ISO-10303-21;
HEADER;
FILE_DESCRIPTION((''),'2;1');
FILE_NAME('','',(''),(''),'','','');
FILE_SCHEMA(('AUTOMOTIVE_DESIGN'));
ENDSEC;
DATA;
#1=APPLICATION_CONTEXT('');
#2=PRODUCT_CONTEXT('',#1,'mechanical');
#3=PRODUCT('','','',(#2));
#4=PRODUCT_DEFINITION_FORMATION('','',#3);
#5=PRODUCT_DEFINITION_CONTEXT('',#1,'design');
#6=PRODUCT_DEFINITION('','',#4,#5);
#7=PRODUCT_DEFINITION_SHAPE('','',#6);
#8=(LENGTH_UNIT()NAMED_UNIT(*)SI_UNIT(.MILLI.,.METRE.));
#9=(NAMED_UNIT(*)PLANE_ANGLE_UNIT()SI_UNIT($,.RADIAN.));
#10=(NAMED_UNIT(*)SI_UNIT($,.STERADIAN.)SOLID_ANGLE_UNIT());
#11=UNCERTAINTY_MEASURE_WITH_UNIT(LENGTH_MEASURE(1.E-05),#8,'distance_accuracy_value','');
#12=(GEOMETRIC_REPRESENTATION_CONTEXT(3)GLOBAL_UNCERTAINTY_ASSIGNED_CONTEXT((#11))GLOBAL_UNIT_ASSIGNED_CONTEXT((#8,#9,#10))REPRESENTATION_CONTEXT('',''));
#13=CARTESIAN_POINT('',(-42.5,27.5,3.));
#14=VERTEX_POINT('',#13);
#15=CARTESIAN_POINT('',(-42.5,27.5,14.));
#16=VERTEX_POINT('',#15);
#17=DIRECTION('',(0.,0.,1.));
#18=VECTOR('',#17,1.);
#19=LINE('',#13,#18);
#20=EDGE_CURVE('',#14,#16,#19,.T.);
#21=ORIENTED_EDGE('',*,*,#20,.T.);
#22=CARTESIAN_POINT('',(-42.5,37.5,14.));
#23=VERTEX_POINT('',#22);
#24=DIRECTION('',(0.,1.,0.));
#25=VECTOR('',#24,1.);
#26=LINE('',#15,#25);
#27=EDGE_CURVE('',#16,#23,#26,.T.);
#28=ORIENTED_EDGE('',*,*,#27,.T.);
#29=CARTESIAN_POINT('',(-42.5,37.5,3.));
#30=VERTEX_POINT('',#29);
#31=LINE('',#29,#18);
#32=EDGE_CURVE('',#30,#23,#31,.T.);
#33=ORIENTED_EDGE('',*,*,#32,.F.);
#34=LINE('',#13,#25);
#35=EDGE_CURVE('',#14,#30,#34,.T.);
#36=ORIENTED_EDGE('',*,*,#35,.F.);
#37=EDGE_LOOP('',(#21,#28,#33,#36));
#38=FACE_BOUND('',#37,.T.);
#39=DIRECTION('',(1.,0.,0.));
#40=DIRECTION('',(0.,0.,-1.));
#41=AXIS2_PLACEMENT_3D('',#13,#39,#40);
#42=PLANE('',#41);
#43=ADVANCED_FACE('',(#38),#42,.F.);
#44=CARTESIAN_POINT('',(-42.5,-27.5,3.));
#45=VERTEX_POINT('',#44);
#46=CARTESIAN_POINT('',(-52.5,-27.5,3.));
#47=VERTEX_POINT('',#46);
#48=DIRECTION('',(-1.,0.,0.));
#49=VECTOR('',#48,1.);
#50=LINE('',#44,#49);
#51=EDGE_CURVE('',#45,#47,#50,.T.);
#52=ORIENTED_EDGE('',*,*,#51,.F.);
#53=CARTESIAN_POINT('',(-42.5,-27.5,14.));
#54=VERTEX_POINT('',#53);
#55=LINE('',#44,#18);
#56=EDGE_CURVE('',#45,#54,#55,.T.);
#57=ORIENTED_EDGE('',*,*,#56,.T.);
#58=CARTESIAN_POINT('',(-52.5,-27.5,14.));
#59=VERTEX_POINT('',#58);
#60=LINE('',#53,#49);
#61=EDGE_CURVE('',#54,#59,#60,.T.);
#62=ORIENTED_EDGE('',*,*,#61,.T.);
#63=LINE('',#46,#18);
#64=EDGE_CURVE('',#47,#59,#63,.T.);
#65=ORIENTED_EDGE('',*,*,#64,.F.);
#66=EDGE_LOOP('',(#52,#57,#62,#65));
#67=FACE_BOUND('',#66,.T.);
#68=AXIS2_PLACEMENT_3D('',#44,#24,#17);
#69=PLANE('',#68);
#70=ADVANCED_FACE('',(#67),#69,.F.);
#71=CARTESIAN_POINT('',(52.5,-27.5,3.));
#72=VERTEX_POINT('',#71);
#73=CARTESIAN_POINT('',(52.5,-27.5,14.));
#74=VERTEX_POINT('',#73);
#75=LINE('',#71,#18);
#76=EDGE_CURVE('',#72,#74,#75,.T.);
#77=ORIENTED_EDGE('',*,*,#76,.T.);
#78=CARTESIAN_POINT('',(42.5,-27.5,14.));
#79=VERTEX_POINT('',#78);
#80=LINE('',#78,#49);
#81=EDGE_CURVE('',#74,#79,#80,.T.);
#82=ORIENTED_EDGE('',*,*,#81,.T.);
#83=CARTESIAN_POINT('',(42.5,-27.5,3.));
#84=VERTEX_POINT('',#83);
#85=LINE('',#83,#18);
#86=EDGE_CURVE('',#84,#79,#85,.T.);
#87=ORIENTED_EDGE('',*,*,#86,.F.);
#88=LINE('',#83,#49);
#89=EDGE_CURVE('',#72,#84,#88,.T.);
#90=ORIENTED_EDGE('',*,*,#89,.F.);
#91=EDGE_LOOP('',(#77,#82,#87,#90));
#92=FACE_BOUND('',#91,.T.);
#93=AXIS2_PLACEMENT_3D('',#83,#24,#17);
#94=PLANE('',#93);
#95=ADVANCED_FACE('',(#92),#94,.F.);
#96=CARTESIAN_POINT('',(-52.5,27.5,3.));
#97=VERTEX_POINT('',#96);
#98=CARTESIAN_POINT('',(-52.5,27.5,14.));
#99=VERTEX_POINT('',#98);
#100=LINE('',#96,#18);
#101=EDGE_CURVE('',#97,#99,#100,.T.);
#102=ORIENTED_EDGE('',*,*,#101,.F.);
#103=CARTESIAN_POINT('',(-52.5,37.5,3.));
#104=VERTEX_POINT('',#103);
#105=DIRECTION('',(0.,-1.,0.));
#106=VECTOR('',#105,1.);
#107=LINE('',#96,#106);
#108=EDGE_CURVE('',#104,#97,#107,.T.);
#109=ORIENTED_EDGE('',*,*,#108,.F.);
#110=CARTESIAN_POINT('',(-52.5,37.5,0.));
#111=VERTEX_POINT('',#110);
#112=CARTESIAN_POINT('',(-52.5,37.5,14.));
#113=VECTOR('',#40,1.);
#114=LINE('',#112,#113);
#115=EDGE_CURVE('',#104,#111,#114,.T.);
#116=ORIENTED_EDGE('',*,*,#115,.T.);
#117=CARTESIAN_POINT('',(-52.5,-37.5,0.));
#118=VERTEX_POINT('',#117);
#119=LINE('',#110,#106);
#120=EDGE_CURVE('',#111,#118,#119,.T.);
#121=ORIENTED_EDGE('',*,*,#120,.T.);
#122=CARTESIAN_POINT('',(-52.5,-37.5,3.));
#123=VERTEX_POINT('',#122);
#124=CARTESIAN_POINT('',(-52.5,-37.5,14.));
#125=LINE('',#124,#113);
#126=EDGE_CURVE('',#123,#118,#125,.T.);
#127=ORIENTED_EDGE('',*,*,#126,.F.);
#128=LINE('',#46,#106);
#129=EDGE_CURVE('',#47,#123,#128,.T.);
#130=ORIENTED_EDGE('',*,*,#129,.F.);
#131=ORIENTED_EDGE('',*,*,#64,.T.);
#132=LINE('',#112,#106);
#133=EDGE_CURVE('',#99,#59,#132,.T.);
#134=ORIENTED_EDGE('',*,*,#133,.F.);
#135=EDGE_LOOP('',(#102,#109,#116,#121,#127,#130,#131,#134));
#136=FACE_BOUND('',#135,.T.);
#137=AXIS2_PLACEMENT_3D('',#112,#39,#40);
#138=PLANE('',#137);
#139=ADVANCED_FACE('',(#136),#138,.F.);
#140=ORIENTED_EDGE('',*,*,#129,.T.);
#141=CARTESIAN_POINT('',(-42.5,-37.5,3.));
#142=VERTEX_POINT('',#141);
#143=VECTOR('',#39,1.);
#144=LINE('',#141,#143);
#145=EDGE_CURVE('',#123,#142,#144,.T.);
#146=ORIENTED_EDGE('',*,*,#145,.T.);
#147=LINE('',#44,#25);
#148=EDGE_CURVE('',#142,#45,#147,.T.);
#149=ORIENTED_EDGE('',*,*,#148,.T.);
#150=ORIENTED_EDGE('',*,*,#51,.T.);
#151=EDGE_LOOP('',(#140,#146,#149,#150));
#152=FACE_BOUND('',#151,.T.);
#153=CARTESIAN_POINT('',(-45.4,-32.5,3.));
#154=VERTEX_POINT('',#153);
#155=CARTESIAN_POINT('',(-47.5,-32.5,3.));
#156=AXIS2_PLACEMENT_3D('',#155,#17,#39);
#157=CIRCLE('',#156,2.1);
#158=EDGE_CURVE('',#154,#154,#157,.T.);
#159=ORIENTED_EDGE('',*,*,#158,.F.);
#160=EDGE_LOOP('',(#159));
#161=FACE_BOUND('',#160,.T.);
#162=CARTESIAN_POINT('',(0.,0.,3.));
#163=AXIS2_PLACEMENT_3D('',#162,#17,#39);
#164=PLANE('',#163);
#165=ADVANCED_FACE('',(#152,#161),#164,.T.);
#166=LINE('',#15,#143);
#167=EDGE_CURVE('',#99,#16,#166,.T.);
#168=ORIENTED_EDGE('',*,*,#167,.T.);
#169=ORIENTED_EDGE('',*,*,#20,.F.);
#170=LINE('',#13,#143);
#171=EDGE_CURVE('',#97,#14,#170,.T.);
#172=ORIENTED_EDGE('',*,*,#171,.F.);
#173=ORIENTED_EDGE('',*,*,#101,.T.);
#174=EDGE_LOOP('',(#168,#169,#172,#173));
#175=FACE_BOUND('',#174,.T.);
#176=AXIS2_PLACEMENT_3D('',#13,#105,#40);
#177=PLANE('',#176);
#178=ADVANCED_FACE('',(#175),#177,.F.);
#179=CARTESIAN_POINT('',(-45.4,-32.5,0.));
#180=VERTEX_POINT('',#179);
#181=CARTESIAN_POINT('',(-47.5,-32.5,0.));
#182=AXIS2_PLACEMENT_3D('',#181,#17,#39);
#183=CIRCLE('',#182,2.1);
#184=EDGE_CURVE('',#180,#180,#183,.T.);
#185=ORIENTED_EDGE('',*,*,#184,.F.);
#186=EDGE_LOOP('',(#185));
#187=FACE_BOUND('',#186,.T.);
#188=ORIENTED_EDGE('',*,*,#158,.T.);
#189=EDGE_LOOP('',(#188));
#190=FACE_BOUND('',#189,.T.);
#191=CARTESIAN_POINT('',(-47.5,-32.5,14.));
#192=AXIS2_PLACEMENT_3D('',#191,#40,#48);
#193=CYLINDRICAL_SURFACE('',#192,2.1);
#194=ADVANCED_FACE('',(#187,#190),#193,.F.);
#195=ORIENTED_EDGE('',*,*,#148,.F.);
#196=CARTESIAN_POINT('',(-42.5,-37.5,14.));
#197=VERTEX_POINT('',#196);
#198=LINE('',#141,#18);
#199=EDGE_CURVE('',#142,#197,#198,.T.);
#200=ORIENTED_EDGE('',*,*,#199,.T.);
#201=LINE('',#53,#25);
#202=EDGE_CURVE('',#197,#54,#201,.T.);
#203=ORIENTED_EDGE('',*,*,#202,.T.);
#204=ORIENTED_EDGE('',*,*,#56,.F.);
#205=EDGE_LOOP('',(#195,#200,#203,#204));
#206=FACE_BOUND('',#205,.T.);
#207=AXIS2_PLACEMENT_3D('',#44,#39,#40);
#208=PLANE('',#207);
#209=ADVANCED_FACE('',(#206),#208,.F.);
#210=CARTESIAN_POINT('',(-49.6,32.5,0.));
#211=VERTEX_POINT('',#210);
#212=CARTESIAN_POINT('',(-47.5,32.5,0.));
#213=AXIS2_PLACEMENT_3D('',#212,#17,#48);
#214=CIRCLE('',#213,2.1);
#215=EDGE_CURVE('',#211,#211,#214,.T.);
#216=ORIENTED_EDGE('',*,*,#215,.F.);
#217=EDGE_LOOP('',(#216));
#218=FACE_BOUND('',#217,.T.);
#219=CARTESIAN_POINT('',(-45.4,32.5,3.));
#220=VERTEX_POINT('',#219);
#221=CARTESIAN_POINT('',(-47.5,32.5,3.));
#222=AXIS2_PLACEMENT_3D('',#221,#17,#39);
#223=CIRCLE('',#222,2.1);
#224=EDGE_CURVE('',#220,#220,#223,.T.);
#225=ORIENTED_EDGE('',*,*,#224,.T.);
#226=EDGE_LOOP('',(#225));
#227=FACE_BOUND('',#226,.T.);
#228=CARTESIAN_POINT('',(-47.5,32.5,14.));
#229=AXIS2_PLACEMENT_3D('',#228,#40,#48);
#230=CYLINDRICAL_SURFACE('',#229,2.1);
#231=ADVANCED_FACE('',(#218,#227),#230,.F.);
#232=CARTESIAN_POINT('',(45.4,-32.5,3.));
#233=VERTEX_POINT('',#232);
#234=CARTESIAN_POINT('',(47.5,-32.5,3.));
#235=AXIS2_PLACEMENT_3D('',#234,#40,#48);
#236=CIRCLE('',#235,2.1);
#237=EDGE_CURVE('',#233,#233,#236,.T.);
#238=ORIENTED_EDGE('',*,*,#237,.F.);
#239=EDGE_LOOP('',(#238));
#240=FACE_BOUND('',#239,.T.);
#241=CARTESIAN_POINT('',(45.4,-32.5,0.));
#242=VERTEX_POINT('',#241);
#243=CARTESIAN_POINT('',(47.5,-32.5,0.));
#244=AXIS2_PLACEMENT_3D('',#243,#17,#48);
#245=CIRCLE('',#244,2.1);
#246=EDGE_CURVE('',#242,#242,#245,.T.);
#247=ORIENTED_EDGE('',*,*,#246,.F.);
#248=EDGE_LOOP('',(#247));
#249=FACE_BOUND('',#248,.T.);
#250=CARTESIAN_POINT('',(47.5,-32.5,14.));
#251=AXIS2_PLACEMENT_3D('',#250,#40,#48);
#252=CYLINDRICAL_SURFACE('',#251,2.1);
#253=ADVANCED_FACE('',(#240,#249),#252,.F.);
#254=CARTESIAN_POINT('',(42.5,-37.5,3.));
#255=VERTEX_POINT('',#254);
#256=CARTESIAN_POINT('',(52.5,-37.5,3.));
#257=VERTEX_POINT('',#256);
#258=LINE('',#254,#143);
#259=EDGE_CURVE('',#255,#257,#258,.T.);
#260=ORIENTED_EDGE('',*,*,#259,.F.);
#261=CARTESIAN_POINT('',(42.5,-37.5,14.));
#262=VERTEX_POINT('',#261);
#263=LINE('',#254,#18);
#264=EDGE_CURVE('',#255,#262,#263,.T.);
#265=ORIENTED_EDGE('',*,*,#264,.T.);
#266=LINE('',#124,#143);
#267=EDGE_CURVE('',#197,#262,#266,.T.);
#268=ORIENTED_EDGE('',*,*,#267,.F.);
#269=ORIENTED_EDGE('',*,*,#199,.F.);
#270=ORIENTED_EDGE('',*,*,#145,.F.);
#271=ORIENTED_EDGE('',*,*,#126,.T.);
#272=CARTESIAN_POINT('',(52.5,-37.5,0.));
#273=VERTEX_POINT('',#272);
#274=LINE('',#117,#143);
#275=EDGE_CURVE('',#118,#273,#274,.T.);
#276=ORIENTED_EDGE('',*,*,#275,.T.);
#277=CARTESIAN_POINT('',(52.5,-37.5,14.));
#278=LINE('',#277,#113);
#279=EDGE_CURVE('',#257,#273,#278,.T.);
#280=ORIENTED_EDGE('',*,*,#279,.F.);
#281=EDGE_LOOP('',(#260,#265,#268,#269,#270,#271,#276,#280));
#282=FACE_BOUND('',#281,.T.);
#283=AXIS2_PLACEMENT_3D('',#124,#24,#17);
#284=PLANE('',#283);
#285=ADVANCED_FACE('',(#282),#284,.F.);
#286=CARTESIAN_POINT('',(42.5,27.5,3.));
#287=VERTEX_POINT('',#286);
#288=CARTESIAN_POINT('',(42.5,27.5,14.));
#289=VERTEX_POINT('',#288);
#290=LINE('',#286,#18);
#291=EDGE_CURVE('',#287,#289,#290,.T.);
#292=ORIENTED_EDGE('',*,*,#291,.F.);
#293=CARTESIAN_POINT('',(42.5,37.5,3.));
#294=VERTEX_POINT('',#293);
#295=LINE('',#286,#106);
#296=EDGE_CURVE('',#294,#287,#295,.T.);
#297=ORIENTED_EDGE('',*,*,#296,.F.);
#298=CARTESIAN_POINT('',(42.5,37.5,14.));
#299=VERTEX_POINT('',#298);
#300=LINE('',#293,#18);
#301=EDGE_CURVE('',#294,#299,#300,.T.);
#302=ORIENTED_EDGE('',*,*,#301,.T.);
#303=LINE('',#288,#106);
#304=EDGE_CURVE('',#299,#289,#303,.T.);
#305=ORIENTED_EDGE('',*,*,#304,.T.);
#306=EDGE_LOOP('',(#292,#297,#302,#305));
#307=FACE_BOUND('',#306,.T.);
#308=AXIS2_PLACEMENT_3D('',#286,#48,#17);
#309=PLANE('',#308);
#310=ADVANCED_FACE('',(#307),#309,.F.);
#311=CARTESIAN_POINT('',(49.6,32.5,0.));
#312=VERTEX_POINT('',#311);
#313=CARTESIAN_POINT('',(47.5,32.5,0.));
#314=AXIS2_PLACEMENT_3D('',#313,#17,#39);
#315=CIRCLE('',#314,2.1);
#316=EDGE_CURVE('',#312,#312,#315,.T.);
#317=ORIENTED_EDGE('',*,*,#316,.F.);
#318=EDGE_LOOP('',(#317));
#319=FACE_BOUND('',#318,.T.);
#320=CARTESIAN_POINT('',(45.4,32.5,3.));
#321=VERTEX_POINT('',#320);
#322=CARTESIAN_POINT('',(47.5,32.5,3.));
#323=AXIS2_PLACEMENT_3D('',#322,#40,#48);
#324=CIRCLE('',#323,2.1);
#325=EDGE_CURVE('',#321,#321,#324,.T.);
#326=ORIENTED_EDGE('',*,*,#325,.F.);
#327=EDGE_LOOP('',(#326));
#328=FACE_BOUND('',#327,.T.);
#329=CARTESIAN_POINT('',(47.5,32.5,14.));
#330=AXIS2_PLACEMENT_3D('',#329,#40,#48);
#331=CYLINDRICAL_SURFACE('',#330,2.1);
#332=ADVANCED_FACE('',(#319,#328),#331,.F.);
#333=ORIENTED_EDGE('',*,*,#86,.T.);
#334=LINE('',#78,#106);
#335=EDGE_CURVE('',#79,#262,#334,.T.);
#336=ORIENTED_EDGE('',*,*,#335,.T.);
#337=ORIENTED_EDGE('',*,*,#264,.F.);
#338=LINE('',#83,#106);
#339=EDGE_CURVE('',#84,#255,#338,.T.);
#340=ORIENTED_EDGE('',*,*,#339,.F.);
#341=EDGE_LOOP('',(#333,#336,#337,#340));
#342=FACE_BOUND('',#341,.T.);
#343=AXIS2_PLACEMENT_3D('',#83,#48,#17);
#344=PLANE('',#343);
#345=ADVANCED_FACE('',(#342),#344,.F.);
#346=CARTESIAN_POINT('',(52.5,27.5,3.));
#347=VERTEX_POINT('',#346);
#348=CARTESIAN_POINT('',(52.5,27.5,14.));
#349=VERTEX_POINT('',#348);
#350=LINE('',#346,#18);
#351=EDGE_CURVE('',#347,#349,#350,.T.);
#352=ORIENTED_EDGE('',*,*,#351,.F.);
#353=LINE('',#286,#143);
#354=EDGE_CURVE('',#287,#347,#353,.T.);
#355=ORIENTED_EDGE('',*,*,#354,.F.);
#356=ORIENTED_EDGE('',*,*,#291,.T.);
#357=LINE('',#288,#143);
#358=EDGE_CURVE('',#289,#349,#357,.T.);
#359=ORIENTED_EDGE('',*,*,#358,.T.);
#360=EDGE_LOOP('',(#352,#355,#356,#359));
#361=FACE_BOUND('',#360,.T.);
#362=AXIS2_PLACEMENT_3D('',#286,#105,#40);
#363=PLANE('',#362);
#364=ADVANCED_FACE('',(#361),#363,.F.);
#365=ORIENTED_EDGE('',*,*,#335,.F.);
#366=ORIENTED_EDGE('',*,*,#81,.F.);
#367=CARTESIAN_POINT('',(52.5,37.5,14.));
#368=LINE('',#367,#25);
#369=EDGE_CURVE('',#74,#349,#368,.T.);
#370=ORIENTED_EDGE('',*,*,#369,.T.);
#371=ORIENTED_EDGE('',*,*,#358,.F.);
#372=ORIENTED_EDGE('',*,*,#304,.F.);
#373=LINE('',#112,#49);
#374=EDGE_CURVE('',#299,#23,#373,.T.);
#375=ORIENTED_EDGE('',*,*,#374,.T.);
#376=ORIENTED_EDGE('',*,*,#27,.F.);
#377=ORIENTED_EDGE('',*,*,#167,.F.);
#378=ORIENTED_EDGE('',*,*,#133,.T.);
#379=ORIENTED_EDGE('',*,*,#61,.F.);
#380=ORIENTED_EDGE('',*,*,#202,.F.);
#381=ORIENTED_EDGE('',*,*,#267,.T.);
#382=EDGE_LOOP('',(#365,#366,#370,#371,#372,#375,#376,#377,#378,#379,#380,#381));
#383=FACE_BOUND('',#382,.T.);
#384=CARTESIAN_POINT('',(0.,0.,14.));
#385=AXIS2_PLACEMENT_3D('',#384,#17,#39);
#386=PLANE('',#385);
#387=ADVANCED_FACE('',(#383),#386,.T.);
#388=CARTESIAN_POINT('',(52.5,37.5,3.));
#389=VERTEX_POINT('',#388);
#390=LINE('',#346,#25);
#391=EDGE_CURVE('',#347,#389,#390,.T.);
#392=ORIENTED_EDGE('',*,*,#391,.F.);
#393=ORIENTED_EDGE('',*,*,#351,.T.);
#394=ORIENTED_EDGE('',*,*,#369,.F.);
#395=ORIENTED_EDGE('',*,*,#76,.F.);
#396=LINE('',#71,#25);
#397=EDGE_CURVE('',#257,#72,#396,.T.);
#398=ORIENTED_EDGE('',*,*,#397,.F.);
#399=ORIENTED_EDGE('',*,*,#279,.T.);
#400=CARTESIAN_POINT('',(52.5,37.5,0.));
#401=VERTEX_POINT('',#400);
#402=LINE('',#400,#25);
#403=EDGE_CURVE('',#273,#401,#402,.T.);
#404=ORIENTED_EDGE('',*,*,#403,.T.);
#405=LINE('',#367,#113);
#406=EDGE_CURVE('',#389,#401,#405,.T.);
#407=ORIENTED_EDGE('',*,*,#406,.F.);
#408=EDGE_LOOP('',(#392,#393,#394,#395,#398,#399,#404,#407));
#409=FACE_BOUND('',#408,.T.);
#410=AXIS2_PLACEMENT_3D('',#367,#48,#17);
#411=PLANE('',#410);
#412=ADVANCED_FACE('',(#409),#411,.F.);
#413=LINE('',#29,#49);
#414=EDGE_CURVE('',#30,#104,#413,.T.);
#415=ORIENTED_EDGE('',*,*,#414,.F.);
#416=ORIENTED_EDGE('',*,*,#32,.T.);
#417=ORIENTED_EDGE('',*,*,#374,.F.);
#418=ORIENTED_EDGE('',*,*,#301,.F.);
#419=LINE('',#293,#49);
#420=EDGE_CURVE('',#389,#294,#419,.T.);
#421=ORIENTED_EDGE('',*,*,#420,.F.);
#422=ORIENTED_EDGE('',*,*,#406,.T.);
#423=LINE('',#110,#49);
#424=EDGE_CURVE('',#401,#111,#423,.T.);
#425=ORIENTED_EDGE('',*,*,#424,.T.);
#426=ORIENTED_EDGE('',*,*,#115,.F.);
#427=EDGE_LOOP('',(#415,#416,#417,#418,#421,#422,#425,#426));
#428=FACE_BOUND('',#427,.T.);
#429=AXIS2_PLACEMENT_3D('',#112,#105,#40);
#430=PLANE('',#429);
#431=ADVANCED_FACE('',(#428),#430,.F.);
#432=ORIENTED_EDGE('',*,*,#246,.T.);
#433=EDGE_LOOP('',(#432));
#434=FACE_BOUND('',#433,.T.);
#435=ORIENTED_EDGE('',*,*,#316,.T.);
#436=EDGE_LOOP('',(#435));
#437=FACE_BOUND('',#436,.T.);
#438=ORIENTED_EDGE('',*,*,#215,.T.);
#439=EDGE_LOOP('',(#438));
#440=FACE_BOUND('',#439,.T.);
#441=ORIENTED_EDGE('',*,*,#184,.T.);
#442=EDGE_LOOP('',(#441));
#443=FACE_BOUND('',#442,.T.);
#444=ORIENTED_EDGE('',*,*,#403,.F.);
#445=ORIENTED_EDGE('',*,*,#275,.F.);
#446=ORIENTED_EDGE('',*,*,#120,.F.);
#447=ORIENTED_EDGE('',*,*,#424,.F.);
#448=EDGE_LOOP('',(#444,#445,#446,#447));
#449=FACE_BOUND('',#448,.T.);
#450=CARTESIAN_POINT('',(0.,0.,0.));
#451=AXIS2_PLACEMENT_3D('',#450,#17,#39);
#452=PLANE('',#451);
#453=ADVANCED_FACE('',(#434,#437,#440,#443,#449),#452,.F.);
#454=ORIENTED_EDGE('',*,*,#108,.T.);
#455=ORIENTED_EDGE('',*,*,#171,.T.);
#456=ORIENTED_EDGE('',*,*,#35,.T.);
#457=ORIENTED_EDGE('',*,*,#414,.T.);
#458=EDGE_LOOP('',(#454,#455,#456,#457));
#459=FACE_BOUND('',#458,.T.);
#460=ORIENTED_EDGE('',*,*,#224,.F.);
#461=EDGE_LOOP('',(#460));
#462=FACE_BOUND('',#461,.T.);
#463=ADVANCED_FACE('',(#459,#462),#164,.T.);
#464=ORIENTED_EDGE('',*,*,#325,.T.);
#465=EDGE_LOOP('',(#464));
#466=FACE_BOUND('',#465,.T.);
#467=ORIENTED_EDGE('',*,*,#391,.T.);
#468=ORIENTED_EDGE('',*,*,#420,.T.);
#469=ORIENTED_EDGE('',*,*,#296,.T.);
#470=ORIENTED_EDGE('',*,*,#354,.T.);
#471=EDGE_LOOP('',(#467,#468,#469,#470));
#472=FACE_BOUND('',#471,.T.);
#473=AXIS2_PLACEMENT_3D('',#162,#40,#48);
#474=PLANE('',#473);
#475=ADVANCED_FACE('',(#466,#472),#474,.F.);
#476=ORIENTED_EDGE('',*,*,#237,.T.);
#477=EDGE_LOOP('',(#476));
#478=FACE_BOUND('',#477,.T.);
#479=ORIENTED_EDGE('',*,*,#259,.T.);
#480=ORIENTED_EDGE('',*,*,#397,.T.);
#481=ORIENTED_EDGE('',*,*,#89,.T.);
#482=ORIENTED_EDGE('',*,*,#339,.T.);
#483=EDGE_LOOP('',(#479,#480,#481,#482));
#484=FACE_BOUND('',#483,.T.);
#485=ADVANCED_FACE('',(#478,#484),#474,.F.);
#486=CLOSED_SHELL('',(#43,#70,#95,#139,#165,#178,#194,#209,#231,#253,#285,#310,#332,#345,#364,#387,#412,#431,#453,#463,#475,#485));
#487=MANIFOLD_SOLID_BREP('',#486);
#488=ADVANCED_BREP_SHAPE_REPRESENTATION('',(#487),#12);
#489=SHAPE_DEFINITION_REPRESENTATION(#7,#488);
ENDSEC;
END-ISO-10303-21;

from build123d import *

# Parameters (mm, degrees)
ESQUISSE1_W             = 105
ESQUISSE1_H             = 75
ESQUISSE1_R             = 2.1
BOSS_EXTRU_1_DEPTH      = 14
ESQUISSE3_W             = 10
ESQUISSE3_H             = 10
ENL_V_MAT_EXTRU_1_DEPTH = 11


with BuildPart() as part:
    # Esquisse1 → Boss.-Extru.1 (new body)
    with BuildSketch(Plane.XY):
        Rectangle(ESQUISSE1_W, ESQUISSE1_H)
        with Locations((47.5, 32.5)):
            Circle(ESQUISSE1_R, mode=Mode.SUBTRACT)
        with Locations(Location((-47.5, 32.5, 0), (0, 0, 180))):
            Circle(ESQUISSE1_R, mode=Mode.SUBTRACT)
        with Locations(Location((47.5, -32.5, 0), (0, 0, 180))):
            Circle(ESQUISSE1_R, mode=Mode.SUBTRACT)
        with Locations((-47.5, -32.5)):
            Circle(ESQUISSE1_R, mode=Mode.SUBTRACT)
    extrude(amount=BOSS_EXTRU_1_DEPTH)

    # Esquisse3 → Enlèv. mat.-Extru.1 (cut)
    with BuildSketch(Plane.XY.offset(14)):
        with Locations((47.5, 32.5)):
            Rectangle(ESQUISSE3_W, ESQUISSE3_H)
        with Locations((-47.5, 32.5)):
            Rectangle(ESQUISSE3_W, ESQUISSE3_H)
        with Locations((-47.5, -32.5)):
            Rectangle(ESQUISSE3_W, ESQUISSE3_H)
        with Locations((47.5, -32.5)):
            Rectangle(ESQUISSE3_W, ESQUISSE3_H)
    extrude(amount=-ENL_V_MAT_EXTRU_1_DEPTH, mode=Mode.SUBTRACT)


solid = part.part
